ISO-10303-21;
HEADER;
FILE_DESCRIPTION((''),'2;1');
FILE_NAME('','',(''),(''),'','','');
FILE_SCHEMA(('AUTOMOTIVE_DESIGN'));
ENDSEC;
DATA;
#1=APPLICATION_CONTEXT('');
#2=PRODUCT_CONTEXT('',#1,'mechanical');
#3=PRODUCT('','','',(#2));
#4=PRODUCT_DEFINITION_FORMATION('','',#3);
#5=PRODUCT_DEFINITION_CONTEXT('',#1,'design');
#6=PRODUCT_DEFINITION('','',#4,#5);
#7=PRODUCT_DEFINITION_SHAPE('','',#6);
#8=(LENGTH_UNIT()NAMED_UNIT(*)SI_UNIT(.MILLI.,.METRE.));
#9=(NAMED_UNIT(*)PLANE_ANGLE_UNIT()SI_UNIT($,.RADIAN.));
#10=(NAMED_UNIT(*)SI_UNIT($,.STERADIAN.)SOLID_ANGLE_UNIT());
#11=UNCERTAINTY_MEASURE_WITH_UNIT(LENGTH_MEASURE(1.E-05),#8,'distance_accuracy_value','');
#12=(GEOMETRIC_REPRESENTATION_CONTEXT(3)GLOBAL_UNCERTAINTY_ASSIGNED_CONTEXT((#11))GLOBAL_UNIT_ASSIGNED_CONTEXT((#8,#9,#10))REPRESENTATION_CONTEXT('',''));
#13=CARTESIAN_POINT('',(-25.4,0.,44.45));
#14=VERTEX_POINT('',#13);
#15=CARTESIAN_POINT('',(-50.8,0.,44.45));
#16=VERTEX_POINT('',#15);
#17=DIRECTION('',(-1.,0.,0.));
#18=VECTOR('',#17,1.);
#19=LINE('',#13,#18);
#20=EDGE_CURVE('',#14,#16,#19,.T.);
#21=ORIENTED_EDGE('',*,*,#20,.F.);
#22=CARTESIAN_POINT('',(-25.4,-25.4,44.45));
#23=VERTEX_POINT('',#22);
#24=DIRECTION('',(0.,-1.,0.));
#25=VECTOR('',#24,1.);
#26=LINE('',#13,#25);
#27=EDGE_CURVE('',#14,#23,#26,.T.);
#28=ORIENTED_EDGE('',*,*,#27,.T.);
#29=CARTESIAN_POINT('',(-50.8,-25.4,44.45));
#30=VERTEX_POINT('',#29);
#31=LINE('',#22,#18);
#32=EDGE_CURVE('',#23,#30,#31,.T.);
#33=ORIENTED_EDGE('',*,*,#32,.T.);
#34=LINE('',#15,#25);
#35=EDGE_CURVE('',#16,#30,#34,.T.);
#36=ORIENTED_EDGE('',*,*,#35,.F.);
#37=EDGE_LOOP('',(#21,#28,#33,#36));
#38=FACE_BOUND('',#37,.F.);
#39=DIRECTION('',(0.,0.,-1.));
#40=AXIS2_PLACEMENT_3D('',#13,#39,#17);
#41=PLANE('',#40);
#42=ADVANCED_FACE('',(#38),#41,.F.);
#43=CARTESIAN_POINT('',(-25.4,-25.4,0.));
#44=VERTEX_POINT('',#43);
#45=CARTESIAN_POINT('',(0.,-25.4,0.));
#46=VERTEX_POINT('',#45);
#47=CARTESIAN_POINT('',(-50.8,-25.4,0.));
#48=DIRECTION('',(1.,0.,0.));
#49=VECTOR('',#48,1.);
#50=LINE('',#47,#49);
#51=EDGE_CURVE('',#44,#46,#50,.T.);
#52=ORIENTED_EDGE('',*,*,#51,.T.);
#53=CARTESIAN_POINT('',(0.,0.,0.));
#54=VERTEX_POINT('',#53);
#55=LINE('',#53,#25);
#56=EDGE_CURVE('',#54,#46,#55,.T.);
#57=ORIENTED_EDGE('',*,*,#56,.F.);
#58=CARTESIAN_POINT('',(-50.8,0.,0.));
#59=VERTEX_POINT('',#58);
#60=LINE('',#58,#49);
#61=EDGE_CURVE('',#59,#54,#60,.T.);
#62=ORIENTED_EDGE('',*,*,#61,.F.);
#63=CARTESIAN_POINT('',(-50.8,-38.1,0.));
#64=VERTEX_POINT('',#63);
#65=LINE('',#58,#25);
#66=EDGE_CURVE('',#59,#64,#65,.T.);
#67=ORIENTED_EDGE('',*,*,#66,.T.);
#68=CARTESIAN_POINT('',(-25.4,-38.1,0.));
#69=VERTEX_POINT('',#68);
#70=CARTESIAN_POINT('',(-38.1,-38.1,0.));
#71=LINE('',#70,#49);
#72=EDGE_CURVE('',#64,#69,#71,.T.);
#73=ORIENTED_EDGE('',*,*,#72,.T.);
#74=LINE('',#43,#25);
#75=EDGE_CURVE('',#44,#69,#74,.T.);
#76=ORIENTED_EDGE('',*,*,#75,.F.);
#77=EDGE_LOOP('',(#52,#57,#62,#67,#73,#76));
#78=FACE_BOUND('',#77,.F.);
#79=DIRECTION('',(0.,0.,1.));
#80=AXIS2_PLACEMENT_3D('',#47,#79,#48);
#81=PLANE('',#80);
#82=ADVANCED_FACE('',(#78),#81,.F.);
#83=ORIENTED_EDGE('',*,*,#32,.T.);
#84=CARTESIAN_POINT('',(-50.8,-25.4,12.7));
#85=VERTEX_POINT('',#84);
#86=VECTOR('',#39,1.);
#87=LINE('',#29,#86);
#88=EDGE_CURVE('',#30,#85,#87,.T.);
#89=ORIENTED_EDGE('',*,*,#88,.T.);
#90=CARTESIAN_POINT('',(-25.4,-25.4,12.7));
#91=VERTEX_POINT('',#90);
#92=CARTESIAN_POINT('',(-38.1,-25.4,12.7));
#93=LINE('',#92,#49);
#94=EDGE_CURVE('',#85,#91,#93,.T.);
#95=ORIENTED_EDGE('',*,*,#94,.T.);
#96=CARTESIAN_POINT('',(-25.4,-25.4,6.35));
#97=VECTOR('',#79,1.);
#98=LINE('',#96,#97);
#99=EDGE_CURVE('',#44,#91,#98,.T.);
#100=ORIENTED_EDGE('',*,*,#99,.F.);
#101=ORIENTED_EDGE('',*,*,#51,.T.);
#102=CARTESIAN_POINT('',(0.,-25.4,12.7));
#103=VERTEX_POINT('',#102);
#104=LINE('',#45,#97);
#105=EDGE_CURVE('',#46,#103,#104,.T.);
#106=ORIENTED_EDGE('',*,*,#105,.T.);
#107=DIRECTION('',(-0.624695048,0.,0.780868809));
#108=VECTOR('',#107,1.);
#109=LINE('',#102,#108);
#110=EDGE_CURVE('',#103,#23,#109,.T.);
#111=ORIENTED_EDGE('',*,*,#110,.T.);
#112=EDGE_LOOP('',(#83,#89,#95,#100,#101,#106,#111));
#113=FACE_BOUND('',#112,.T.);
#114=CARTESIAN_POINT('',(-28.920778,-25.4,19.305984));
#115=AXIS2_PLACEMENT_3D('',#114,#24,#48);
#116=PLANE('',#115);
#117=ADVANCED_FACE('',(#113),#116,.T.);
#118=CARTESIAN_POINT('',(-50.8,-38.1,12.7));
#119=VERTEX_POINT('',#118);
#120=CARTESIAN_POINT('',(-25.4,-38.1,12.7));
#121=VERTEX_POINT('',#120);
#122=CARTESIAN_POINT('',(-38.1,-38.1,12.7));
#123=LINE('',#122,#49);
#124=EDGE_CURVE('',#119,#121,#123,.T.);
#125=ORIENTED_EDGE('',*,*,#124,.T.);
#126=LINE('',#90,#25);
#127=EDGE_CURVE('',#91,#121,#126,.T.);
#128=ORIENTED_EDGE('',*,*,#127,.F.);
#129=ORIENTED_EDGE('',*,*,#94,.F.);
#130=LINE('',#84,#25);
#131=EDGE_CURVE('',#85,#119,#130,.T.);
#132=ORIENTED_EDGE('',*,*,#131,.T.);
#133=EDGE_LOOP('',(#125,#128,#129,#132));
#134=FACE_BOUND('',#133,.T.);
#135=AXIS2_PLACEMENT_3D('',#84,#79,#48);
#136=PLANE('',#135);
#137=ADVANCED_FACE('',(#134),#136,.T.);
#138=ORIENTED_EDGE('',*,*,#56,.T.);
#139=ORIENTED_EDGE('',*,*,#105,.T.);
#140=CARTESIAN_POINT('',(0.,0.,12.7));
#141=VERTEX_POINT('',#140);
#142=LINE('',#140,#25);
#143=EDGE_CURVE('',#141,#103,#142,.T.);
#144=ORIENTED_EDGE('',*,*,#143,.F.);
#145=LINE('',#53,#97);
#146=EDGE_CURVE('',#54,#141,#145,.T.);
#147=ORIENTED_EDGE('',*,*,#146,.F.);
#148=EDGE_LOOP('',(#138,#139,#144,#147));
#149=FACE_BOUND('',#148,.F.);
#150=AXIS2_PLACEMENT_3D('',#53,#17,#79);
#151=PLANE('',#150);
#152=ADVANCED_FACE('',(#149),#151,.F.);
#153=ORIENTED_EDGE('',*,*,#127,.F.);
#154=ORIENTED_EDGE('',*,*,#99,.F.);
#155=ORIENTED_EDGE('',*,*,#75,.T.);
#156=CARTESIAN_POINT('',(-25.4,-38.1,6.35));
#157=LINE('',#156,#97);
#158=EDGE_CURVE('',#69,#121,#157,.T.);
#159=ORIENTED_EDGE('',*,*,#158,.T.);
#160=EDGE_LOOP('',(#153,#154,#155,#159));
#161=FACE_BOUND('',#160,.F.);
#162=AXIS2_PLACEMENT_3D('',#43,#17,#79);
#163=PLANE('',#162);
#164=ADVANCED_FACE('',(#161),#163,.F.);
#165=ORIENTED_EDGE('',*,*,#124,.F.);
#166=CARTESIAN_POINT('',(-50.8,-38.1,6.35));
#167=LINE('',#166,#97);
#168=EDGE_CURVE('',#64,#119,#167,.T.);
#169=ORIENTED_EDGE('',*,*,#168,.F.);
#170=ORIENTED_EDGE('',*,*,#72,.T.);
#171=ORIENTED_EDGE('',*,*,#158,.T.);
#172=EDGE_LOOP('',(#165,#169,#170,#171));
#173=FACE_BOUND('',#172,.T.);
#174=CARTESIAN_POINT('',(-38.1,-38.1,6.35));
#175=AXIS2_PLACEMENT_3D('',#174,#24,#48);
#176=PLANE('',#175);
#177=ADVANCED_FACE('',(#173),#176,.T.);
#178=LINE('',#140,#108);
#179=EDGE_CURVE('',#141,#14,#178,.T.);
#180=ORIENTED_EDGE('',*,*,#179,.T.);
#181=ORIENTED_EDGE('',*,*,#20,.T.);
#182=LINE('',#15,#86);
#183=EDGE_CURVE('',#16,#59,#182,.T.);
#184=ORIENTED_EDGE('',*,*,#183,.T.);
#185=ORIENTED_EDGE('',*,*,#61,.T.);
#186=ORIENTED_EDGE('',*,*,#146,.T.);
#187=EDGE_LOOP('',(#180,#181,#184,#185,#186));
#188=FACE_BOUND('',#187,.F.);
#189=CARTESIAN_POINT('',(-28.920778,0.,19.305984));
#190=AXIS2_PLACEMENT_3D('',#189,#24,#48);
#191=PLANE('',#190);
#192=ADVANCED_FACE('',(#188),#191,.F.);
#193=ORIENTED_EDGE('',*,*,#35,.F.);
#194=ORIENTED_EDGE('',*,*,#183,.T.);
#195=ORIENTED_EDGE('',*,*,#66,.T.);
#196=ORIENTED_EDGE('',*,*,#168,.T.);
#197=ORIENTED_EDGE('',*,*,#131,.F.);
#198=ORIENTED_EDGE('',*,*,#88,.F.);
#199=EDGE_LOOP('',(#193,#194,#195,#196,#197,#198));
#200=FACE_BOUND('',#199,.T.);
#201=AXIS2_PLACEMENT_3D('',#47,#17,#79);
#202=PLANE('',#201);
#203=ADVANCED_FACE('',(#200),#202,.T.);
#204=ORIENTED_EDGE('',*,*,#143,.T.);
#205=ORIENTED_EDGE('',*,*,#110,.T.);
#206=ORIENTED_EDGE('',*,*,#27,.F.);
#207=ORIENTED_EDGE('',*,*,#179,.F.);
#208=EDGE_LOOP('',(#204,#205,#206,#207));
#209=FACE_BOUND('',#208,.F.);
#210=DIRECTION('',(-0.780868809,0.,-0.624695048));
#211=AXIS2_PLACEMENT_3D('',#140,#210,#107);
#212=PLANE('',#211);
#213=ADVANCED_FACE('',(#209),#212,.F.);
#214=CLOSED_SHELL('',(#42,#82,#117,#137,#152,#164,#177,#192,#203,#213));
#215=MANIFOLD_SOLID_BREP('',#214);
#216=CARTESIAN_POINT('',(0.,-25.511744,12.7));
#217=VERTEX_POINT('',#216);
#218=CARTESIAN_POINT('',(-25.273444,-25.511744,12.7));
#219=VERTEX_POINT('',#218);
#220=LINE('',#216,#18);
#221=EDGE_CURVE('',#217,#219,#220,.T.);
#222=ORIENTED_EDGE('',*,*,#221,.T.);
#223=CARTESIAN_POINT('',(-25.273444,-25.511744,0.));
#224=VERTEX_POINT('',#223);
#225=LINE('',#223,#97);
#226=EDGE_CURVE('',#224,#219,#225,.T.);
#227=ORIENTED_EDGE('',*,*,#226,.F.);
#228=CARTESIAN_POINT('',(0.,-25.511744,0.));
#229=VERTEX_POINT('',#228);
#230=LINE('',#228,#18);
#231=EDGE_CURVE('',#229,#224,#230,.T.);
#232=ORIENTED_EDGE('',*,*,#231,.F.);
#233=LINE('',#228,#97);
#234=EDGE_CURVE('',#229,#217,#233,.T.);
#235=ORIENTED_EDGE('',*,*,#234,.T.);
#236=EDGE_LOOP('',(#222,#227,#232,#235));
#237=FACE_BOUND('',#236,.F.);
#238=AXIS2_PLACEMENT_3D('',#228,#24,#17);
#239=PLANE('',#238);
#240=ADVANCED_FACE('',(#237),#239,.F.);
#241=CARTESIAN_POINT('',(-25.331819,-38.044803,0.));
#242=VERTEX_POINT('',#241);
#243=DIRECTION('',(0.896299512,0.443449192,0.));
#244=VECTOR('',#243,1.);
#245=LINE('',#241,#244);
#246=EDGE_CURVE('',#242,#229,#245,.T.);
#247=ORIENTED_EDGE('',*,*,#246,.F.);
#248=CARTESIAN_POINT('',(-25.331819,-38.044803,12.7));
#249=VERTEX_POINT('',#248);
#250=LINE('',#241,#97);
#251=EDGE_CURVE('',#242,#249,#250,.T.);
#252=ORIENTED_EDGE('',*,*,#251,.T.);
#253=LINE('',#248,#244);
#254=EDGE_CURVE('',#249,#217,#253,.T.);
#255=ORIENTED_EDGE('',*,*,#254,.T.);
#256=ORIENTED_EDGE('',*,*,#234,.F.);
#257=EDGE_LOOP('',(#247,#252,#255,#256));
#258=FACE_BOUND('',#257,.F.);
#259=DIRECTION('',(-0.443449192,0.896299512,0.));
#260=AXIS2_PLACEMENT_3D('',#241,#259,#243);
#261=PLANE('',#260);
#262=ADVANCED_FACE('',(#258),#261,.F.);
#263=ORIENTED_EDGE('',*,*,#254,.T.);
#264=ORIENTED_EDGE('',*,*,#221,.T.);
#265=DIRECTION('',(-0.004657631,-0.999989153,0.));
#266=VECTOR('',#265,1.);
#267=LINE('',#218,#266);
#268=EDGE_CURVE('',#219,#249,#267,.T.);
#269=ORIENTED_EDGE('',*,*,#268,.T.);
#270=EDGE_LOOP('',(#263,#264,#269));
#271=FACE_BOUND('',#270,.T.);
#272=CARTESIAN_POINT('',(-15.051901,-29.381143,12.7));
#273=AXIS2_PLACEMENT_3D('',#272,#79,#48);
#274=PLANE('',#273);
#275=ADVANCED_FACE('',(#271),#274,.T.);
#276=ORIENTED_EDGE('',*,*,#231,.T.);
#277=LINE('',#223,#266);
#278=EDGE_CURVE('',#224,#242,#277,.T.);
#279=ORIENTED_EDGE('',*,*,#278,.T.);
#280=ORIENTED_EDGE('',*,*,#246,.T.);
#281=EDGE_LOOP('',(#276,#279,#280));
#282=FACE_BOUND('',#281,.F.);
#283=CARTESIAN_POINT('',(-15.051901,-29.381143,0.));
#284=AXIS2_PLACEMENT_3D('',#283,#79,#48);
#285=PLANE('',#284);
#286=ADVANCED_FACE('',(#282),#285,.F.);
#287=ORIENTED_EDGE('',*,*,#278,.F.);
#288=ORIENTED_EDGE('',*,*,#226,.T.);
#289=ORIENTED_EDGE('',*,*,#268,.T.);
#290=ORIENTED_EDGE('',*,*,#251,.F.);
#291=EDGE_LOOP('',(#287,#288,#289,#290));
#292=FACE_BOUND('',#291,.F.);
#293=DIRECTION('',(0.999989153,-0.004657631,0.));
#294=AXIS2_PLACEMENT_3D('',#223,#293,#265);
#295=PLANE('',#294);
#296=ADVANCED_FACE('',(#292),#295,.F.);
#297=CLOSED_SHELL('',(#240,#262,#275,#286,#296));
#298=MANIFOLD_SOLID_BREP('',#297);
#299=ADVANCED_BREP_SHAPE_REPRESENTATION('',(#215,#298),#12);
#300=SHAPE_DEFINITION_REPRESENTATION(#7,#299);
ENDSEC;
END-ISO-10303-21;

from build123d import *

# Parameters (mm, degrees)
F1_DEPTH = 25.4
F2_W     = 25.4
F2_H     = 12.7
F3_DEPTH = 12.7
F5_DEPTH = 12.7


with BuildPart() as f1:
    # F0 (on Front) → F1 (new body)
    with BuildSketch(Plane.XZ):
        Polygon((0, 0), (0, 12.7), (-25.4, 44.45), (-50.8, 44.45), (-50.8, 0), align=None)
    extrude(amount=F1_DEPTH)

    # F2 (on face) → F3 (join)
    with BuildSketch(Plane.XZ.offset(25.4)):
        with Locations((-38.1, 6.35)):
            Rectangle(F2_W, F2_H)
    extrude(amount=F3_DEPTH)


with BuildPart() as f5:
    # F4 (on Top) → F5 (new body)
    with BuildSketch(Plane.XY):
        Polygon((-25.273444, -25.511744), (-25.331819, -38.044803), (0, -25.511744), align=None)
    extrude(amount=F5_DEPTH)


solid = Compound([f1.part, f5.part])
